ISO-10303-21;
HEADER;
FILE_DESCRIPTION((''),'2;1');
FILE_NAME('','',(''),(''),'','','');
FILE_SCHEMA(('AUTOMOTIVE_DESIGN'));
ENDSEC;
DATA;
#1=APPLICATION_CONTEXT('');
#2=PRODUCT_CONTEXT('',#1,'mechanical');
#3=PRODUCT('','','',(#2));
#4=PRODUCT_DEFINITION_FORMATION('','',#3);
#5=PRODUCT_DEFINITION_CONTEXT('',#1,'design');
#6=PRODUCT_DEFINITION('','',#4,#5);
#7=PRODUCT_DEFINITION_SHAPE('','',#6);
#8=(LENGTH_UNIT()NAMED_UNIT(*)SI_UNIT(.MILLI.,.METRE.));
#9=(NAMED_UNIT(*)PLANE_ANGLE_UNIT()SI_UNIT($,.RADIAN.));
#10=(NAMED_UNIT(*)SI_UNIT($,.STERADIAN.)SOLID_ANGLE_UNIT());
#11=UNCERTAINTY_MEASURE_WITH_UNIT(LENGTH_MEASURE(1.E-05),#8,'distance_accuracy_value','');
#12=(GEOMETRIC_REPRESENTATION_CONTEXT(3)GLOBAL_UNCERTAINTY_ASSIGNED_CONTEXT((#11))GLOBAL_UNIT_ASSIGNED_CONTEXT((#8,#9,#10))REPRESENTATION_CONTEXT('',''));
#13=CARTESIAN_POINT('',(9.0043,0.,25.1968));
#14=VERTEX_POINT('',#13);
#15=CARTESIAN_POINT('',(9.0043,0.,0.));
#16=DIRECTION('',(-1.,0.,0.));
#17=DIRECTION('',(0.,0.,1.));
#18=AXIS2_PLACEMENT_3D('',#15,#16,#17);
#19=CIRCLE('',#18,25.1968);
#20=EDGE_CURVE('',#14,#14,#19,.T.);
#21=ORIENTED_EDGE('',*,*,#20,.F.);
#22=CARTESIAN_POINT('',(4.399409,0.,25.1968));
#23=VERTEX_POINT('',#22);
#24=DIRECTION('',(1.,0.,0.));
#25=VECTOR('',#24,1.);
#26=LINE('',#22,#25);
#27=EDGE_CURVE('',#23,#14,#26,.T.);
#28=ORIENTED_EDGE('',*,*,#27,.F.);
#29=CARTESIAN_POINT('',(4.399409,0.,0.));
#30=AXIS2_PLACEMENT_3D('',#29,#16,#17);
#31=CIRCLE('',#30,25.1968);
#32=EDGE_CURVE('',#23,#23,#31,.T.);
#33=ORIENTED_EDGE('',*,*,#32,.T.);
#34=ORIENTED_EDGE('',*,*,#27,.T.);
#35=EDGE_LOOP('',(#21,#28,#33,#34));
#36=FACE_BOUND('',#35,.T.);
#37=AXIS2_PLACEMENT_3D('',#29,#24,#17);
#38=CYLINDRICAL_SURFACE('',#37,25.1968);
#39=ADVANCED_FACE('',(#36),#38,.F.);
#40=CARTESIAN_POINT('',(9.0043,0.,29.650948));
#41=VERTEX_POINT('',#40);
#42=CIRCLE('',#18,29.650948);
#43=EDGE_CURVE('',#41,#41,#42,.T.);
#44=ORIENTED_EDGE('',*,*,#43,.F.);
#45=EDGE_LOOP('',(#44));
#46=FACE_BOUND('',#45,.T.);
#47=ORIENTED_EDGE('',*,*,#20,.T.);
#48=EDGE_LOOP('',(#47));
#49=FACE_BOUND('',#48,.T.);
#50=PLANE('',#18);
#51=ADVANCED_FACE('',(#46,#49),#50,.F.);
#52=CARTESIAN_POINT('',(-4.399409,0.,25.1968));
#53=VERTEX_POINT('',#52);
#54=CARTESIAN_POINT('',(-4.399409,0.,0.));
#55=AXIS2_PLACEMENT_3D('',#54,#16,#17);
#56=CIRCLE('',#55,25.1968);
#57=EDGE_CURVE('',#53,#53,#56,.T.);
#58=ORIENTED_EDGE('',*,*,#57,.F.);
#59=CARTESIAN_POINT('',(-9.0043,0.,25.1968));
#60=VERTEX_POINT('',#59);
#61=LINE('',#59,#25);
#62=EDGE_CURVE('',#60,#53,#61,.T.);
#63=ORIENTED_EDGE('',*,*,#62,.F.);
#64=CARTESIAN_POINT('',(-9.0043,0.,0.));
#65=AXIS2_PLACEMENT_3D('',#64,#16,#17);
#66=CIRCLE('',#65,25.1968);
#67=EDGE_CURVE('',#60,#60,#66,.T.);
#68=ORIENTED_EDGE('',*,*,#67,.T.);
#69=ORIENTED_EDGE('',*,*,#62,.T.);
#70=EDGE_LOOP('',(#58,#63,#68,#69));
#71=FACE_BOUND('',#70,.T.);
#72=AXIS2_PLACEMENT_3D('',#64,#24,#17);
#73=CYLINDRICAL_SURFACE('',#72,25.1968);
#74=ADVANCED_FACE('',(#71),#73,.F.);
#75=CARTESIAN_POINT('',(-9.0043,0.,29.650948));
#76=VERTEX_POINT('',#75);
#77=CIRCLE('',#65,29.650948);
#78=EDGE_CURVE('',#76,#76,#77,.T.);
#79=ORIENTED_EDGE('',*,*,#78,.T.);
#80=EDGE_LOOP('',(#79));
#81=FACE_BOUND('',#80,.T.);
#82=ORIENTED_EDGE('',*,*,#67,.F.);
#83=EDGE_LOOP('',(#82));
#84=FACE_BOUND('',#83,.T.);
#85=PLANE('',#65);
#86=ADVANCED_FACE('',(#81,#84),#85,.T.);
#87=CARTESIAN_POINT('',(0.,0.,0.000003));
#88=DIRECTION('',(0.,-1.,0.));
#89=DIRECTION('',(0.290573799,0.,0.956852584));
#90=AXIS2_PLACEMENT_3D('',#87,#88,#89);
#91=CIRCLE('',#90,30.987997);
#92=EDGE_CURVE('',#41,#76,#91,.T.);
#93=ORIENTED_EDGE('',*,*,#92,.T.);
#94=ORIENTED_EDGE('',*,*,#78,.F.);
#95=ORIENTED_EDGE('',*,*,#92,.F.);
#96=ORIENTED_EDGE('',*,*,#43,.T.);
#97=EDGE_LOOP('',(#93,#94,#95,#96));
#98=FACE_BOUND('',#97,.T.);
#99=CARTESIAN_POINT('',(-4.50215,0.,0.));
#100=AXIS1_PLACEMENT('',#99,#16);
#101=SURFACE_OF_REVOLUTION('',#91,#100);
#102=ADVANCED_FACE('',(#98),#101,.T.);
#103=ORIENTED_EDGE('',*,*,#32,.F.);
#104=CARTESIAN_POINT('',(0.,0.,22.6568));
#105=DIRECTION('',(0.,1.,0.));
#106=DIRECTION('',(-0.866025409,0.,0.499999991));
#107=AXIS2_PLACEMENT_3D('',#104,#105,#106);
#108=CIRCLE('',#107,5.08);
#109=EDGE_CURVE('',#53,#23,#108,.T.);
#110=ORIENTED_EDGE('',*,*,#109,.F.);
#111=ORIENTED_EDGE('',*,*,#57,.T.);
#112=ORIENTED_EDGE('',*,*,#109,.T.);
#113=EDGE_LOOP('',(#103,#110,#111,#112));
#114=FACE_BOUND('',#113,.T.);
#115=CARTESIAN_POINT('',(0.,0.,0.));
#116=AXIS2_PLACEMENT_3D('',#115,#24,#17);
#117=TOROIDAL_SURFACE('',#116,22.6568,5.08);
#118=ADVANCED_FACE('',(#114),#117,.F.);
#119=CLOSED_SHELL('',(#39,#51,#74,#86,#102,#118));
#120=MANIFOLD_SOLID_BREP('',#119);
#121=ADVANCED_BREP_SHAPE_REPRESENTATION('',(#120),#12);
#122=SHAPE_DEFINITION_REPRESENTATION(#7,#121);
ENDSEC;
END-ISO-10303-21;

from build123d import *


with BuildPart() as f1:
    # F0 (on Front) → F1 (revolve)
    with BuildSketch(Plane.XZ):
        with BuildLine():
            Line((9.0043, 25.1968), (9.0043, 29.650948))
            ThreePointArc((9.0043, 29.650948), (0, 30.988), (-9.0043, 29.650948))
            Line((-9.0043, 29.650948), (-9.0043, 25.1968))
            Line((-9.0043, 25.1968), (-4.399409, 25.1968))
            ThreePointArc((-4.399409, 25.1968), (0, 27.7368), (4.399409, 25.1968))
            Line((4.399409, 25.1968), (9.0043, 25.1968))
        make_face()
    revolve(axis=Axis((-4.50215, 0, 0), (-1, 0, 0)))


solid = f1.part
